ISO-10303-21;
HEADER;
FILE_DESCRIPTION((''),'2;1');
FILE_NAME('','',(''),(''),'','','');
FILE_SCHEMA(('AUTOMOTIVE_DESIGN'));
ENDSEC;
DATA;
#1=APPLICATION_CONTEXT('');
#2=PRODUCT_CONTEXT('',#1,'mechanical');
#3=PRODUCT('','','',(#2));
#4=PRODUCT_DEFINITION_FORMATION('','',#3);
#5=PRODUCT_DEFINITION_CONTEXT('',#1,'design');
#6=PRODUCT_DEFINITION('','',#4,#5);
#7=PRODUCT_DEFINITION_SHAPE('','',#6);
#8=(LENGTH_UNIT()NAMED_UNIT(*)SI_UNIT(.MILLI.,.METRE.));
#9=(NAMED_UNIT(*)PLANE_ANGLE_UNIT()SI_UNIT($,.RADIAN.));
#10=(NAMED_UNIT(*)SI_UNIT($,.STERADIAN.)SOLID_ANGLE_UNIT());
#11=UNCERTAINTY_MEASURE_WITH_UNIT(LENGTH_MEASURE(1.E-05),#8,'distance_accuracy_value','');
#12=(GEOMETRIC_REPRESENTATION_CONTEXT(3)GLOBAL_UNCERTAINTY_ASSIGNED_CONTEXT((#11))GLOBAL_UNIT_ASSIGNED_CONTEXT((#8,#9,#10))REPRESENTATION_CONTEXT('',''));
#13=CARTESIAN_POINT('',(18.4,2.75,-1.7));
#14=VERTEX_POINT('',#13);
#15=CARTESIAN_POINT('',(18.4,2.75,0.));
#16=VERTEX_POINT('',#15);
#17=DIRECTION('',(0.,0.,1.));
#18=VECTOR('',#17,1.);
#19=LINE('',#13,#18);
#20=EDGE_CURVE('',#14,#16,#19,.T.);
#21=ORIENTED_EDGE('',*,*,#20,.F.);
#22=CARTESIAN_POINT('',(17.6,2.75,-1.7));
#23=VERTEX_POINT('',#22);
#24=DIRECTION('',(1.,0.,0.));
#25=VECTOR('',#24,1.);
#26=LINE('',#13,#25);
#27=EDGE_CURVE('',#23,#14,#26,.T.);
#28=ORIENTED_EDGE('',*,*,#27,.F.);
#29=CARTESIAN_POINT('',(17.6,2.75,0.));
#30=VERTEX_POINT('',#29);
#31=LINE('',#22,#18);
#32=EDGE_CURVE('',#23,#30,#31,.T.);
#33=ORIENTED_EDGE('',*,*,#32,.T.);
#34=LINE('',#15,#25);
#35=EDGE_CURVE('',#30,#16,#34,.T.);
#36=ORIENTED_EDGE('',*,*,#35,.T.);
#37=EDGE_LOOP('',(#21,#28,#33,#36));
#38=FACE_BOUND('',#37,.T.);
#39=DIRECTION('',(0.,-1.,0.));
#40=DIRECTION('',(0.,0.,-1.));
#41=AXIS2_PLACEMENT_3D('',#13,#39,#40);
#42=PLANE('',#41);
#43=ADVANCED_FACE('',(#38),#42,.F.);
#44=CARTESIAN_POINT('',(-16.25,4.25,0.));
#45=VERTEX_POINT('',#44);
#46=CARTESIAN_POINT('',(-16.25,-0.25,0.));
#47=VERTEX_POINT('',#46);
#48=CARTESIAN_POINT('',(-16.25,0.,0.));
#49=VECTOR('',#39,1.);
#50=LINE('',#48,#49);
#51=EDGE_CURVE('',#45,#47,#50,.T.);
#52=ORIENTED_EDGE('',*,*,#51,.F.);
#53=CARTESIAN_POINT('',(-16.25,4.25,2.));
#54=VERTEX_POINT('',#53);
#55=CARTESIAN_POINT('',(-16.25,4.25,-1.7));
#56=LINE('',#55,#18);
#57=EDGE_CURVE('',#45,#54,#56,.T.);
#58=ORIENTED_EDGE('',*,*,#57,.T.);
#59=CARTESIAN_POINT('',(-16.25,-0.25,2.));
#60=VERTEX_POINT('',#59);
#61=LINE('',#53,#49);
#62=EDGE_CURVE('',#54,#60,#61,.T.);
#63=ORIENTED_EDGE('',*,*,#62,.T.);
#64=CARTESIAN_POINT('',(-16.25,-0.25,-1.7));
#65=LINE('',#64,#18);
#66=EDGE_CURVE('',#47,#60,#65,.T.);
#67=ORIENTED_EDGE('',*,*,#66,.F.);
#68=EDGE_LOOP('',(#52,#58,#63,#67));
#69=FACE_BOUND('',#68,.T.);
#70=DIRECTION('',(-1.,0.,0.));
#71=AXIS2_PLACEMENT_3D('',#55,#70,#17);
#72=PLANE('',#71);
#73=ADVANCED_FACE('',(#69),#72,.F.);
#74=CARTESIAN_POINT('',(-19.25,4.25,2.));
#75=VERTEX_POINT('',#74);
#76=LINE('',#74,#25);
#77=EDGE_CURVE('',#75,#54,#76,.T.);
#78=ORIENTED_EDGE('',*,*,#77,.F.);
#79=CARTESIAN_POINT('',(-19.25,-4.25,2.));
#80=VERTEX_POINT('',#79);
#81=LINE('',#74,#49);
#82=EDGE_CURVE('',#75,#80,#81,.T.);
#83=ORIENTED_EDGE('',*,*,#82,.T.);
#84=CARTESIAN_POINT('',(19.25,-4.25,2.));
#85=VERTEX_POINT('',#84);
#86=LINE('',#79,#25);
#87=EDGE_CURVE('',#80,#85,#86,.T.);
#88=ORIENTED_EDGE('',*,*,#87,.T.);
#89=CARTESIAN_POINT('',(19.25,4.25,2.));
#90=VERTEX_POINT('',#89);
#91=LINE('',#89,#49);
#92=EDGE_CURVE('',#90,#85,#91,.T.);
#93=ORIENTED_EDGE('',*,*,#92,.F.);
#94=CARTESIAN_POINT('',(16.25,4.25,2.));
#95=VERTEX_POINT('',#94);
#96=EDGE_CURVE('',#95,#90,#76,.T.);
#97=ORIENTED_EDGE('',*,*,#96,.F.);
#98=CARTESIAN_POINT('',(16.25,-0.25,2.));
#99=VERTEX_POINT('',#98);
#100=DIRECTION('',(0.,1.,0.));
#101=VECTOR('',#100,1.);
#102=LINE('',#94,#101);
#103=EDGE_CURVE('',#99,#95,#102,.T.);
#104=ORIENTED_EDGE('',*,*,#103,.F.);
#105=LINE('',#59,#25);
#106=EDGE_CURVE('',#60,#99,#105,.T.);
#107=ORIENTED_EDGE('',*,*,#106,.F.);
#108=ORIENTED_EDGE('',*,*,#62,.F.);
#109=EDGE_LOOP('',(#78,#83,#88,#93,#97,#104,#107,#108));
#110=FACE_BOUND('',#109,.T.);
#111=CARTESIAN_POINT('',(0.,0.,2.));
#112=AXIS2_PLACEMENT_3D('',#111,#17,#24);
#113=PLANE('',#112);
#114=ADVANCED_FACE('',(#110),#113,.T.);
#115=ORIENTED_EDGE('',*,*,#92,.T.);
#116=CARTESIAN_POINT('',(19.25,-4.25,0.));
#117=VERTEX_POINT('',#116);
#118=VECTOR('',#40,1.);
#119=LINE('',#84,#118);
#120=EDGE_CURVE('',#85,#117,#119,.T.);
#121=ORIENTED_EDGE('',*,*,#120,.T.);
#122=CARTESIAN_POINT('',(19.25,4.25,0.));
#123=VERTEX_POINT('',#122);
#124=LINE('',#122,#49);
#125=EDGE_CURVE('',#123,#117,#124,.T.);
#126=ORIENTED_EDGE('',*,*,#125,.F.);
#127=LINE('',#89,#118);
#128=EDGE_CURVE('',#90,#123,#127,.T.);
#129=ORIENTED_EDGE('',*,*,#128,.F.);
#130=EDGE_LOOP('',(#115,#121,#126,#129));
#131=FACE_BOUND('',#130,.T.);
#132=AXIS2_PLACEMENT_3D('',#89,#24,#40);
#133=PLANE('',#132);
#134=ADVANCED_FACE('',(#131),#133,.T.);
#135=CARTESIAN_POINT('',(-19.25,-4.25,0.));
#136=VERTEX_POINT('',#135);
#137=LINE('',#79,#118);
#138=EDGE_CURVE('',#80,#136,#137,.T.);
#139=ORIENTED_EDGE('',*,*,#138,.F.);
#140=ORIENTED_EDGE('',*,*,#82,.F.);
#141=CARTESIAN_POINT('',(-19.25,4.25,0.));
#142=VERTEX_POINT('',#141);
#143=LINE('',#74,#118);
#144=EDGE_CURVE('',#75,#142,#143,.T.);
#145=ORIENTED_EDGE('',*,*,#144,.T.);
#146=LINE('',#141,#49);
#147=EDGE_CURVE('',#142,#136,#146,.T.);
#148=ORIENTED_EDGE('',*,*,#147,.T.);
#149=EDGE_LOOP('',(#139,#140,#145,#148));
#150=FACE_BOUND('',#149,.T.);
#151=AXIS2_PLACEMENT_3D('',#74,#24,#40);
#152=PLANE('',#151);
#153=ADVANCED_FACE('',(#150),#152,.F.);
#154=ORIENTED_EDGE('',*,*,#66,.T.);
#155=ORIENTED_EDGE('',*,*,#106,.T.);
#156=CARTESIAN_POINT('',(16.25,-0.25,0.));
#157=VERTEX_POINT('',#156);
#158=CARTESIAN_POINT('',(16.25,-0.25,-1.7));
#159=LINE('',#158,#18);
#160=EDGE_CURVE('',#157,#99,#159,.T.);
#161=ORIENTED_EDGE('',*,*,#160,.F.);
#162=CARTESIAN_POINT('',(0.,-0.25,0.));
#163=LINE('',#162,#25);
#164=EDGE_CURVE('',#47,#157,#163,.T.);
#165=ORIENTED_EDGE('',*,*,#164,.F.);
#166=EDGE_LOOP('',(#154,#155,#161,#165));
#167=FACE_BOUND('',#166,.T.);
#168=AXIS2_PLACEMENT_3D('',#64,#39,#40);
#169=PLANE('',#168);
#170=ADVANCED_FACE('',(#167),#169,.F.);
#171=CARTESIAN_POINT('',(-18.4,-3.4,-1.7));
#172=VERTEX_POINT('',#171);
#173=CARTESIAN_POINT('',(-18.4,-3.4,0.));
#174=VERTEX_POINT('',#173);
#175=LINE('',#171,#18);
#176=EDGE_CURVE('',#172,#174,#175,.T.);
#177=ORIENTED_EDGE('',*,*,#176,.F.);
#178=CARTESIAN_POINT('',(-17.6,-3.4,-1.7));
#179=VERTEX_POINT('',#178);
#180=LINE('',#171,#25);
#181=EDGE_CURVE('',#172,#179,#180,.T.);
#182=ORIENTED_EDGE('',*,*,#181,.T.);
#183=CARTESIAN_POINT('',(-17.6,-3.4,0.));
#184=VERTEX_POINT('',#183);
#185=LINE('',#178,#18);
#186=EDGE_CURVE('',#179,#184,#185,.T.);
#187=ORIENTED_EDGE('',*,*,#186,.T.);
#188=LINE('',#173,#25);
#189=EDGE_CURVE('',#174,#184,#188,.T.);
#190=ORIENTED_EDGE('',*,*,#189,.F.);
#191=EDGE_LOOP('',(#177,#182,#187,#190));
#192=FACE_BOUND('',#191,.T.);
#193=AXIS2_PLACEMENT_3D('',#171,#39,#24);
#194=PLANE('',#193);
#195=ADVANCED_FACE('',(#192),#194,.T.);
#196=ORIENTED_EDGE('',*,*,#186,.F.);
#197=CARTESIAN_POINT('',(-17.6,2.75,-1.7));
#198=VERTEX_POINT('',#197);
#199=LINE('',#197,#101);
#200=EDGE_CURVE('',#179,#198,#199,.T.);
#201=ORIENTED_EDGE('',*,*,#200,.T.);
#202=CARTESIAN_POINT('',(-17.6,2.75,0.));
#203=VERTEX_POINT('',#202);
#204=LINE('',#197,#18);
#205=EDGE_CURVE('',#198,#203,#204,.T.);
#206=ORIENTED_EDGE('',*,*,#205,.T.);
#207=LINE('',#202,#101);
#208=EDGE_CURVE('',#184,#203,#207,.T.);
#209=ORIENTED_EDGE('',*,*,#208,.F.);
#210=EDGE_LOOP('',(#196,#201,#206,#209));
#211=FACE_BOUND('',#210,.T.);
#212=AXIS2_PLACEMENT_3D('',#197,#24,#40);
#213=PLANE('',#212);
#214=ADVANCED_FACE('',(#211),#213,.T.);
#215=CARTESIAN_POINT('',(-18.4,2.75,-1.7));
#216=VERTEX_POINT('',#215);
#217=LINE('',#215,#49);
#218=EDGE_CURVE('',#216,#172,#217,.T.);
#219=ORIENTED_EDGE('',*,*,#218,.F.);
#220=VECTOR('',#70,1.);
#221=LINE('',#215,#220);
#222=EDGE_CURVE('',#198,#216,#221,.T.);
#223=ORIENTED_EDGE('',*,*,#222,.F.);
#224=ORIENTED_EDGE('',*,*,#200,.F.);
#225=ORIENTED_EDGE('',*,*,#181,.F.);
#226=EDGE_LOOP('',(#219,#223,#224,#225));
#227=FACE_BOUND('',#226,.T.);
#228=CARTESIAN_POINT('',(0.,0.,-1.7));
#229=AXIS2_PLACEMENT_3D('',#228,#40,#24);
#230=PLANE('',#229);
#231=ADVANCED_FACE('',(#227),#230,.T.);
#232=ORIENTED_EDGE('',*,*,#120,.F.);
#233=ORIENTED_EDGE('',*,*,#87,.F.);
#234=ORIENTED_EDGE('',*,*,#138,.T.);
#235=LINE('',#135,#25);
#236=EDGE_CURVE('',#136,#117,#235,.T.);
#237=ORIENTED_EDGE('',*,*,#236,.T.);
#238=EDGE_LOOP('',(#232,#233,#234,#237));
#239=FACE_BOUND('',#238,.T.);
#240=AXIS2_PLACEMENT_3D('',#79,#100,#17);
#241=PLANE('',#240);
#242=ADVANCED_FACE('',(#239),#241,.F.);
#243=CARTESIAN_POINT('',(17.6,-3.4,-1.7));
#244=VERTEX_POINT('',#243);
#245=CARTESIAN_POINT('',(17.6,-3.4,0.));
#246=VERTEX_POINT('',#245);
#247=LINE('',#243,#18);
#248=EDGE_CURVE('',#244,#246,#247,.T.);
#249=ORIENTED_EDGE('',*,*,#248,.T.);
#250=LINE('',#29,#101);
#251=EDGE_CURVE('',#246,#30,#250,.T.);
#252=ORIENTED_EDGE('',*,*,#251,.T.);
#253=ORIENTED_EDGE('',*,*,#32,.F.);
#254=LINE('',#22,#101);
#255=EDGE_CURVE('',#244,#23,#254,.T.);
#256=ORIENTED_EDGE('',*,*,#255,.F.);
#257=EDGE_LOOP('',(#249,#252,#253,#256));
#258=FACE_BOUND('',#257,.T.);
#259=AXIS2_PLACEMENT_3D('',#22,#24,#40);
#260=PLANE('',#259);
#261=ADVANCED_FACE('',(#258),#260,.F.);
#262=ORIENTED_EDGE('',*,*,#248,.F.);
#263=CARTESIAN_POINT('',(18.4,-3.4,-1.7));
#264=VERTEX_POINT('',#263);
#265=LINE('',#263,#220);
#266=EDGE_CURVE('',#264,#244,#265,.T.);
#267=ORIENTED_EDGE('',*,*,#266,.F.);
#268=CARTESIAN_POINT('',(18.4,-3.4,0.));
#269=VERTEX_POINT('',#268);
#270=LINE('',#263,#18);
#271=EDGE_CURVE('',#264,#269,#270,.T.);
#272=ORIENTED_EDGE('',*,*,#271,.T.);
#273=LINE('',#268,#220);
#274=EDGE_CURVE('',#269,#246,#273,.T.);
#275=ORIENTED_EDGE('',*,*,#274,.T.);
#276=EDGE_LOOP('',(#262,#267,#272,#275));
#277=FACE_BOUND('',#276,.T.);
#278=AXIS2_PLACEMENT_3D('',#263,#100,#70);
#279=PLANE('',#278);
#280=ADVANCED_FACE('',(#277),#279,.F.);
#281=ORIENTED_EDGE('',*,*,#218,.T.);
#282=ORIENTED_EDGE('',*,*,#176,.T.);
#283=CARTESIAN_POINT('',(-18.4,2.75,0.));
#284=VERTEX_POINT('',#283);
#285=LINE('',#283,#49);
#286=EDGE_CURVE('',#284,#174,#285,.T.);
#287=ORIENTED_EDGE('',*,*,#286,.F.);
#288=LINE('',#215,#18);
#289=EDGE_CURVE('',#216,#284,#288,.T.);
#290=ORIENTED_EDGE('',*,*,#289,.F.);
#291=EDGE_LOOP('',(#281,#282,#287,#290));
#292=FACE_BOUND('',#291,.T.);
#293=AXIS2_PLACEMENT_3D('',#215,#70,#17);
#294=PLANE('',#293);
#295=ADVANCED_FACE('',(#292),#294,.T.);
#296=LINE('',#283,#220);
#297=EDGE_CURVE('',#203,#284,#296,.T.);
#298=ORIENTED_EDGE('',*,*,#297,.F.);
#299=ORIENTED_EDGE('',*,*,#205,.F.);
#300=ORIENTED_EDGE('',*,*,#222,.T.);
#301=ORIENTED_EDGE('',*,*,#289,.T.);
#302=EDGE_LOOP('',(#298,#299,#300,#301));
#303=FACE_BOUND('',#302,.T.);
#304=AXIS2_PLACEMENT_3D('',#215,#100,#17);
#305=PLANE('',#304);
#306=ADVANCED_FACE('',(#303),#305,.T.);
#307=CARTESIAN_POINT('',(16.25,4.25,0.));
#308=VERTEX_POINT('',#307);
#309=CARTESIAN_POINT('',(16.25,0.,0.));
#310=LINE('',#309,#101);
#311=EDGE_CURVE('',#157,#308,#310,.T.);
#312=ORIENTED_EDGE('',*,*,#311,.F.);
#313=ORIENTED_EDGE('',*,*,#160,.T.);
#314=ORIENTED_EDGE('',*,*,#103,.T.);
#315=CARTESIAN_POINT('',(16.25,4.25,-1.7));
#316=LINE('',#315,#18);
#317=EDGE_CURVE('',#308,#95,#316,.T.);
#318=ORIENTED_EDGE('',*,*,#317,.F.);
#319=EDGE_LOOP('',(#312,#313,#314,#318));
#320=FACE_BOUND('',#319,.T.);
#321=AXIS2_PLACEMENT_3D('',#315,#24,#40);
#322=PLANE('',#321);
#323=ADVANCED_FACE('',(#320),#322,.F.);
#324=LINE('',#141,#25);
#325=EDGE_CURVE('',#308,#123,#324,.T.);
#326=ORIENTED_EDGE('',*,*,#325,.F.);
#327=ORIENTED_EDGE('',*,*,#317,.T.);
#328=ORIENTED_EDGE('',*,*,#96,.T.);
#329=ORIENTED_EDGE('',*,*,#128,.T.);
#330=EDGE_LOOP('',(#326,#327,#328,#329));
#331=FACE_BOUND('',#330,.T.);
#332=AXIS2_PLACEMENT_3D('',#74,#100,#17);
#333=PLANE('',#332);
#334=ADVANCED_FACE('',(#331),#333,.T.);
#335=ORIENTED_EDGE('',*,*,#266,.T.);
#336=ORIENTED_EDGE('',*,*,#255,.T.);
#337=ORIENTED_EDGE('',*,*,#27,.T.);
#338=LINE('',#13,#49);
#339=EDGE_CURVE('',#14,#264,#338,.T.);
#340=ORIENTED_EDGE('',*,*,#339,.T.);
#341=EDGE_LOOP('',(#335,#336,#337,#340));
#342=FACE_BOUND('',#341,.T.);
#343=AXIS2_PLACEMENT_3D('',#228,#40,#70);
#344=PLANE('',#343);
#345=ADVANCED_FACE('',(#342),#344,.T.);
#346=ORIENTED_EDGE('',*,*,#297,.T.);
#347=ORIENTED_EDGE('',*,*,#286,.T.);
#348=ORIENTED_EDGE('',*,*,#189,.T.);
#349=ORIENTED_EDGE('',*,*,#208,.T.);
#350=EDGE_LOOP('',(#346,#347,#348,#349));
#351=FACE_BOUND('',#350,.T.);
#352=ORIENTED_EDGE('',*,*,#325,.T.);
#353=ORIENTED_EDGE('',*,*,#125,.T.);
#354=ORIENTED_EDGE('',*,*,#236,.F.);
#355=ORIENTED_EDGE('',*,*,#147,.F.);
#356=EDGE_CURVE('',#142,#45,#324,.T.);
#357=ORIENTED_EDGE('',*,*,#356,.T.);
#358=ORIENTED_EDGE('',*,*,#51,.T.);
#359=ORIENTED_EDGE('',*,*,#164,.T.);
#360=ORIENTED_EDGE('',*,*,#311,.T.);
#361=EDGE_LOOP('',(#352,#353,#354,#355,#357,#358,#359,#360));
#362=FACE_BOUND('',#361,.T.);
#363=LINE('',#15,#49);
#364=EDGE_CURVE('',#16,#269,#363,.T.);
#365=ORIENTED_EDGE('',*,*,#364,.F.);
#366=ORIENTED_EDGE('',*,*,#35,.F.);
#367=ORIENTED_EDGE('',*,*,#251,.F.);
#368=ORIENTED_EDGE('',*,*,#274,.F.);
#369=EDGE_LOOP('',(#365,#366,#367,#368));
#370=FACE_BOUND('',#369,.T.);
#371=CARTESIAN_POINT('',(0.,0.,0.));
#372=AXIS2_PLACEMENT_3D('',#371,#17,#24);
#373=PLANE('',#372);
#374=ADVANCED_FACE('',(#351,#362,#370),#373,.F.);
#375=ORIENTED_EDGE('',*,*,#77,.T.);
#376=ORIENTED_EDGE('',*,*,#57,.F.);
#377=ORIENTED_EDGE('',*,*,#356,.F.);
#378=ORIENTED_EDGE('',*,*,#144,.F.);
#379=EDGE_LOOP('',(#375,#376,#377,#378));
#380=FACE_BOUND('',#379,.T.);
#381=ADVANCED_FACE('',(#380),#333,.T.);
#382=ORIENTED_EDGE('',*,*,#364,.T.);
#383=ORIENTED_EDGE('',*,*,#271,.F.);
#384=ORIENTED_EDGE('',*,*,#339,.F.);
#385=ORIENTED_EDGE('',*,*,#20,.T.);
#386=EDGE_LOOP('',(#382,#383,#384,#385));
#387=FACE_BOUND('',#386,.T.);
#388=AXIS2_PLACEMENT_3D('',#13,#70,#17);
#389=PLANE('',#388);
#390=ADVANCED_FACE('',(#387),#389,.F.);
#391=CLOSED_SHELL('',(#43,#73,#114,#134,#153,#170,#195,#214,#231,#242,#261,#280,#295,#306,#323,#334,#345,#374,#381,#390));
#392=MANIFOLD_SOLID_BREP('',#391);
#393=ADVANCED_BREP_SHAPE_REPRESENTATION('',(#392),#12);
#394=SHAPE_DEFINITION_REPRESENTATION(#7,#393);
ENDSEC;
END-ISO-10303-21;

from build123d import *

# Parameters (mm, degrees)
SKETCH1_W           = 38.5
SKETCH1_H           = 8.5
BOSS_EXTRUDE1_DEPTH = 2
SKETCH2_W           = 0.8
SKETCH2_H           = 6.15
BOSS_EXTRUDE2_DEPTH = 1.7
SKETCH3_W           = 32.5
SKETCH3_H           = 4.5
CUT_EXTRUDE1_DEPTH  = 21.057791504


with BuildPart() as part:
    # Sketch1 → Boss-Extrude1 (new body)
    with BuildSketch(Plane.XY):
        Rectangle(SKETCH1_W, SKETCH1_H)
    extrude(amount=BOSS_EXTRUDE1_DEPTH)

    # Sketch2 → Boss-Extrude2 (add)
    with BuildSketch(Plane(origin=(0, 0, 0), x_dir=(-1, 0, 0), z_dir=(0, 0, -1))):
        with Locations((-18, -0.325)):
            Rectangle(SKETCH2_W, SKETCH2_H)
    boss_extrude2 = extrude(amount=BOSS_EXTRUDE2_DEPTH)

    # Mirror1: Boss-Extrude2 across plane
    add(boss_extrude2.mirror(Plane(origin=(0, 0, 0), x_dir=(0, 0, 1), z_dir=(1, 0, 0))))

    # Sketch3 → Cut-Extrude1 (cut, through all)
    with BuildSketch(Plane.XY.offset(2)):
        with Locations((0, 2)):
            Rectangle(SKETCH3_W, SKETCH3_H)
    extrude(amount=-CUT_EXTRUDE1_DEPTH, mode=Mode.SUBTRACT)


solid = part.part
